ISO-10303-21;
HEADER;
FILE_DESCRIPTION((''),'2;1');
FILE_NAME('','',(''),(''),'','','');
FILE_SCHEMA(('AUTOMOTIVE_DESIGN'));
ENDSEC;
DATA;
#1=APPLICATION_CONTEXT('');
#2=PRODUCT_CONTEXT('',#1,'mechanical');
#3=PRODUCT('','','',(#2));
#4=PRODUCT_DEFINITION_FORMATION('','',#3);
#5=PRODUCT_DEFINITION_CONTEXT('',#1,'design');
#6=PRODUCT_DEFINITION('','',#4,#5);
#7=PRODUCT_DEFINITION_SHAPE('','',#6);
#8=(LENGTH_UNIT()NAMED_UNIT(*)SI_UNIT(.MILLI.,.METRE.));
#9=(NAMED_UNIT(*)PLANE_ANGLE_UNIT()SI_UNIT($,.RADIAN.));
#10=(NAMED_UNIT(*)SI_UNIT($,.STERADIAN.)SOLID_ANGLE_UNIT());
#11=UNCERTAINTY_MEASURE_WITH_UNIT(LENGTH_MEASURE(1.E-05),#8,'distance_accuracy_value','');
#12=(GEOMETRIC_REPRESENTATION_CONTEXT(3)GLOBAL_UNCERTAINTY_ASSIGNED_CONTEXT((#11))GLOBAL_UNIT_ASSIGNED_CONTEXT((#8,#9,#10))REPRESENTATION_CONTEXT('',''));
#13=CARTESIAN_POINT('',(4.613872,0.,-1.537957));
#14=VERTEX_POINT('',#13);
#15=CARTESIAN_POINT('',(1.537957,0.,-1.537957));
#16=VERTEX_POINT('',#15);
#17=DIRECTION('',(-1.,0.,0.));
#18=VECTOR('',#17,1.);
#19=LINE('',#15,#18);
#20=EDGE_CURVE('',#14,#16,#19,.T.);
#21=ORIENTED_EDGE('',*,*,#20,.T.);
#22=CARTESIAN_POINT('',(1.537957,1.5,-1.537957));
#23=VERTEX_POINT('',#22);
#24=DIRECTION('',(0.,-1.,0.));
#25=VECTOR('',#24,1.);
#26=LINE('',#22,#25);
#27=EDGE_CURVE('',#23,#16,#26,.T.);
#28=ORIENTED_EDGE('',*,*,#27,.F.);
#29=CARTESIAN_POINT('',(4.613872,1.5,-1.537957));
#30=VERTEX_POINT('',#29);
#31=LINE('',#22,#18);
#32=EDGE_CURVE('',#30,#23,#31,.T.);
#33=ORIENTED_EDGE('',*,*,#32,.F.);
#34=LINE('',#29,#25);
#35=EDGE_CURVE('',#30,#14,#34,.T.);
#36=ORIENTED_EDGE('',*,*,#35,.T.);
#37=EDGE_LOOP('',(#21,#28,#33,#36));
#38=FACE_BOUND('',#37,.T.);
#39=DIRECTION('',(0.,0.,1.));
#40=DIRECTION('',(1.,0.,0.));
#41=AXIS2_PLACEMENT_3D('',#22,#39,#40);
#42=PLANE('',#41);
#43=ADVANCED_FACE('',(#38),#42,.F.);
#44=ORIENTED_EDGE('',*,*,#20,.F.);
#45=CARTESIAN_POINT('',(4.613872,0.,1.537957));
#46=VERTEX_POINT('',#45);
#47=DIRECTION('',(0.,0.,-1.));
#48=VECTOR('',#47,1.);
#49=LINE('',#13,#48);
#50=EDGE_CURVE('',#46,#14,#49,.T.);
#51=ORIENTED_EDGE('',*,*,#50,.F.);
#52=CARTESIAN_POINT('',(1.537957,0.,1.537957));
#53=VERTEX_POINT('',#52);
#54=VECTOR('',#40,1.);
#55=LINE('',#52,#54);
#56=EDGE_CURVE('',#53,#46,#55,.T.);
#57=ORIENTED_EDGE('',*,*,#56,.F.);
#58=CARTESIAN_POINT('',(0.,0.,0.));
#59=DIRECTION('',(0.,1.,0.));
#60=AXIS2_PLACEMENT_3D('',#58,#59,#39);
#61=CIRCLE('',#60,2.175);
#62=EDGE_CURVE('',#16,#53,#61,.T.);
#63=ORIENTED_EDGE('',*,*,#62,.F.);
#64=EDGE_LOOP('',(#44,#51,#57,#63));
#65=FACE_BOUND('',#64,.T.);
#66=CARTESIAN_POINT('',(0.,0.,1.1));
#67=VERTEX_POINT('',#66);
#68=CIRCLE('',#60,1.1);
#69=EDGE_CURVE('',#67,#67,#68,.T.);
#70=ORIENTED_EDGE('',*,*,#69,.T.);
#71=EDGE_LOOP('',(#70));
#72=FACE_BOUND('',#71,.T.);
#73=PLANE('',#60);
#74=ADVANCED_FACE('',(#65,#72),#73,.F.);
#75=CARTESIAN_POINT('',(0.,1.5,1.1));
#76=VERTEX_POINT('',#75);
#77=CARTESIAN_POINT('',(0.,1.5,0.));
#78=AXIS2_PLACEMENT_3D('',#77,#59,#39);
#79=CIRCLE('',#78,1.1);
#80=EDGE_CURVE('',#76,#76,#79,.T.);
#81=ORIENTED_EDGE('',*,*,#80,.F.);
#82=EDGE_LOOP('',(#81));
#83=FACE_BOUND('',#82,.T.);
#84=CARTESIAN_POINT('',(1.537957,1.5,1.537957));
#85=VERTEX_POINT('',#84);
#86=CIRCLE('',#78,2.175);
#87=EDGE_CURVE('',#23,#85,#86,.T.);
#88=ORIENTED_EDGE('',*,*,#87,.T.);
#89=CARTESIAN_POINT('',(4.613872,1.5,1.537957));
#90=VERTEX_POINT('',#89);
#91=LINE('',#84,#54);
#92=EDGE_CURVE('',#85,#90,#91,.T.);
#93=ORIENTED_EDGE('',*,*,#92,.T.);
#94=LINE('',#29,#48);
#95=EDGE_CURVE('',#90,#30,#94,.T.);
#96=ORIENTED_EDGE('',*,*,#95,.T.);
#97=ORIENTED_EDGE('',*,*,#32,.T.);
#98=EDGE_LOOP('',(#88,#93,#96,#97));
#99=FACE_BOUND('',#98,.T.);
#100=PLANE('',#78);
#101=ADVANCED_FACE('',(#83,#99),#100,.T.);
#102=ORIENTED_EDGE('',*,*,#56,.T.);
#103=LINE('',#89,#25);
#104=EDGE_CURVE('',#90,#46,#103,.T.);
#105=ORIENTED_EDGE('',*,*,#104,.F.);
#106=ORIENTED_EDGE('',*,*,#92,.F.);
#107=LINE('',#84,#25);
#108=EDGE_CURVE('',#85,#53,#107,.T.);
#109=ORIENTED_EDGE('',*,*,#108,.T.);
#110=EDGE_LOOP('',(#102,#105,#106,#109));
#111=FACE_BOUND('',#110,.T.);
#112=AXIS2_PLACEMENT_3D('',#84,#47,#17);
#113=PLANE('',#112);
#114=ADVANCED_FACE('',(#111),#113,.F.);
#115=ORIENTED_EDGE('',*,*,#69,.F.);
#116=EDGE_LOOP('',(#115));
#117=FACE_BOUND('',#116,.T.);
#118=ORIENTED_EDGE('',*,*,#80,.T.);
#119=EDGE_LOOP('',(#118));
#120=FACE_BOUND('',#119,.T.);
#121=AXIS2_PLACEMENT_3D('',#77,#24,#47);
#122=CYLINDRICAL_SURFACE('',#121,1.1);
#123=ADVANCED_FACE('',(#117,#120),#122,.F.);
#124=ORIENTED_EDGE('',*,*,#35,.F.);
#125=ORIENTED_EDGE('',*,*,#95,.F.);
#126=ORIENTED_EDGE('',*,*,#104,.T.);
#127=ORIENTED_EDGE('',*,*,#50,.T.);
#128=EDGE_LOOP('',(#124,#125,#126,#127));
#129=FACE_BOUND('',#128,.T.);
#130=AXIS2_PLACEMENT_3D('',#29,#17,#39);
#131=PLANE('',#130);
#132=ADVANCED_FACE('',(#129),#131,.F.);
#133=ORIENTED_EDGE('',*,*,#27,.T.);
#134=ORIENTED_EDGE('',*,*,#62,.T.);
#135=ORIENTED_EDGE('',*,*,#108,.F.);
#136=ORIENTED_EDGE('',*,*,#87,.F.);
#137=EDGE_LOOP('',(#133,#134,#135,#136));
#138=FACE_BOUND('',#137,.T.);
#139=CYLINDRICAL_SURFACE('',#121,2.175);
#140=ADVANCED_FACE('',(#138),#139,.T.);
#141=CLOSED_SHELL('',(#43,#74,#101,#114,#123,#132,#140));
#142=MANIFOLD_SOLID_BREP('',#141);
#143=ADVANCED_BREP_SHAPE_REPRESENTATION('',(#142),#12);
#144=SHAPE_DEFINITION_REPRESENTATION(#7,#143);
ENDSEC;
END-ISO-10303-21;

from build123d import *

# Parameters (mm, degrees)
SKETCH_2_R      = 1.1
EXTRUDE_1_DEPTH = 1.5


with BuildPart() as part:
    # 草图2 → 凸台-拉伸1 (new body)
    with BuildSketch(Plane(origin=(0, 0, 0), x_dir=(1, 0, 0), z_dir=(0, 1, 0))):
        with BuildLine():
            Line((1.537957249, 1.537957249), (4.613871747, 1.537957249))
            Line((4.613871747, 1.537957249), (4.613871747, -1.537957249))
            Line((4.613871747, -1.537957249), (1.537957249, -1.537957249))
            ThreePointArc((1.537957249, -1.537957249), (-2.175, 0), (1.537957249, 1.537957249))
        make_face()
        with Locations(Location((0, 0, 0), (0, 0, 270))):
            Circle(SKETCH_2_R, mode=Mode.SUBTRACT)
    extrude(amount=EXTRUDE_1_DEPTH)


solid = part.part
